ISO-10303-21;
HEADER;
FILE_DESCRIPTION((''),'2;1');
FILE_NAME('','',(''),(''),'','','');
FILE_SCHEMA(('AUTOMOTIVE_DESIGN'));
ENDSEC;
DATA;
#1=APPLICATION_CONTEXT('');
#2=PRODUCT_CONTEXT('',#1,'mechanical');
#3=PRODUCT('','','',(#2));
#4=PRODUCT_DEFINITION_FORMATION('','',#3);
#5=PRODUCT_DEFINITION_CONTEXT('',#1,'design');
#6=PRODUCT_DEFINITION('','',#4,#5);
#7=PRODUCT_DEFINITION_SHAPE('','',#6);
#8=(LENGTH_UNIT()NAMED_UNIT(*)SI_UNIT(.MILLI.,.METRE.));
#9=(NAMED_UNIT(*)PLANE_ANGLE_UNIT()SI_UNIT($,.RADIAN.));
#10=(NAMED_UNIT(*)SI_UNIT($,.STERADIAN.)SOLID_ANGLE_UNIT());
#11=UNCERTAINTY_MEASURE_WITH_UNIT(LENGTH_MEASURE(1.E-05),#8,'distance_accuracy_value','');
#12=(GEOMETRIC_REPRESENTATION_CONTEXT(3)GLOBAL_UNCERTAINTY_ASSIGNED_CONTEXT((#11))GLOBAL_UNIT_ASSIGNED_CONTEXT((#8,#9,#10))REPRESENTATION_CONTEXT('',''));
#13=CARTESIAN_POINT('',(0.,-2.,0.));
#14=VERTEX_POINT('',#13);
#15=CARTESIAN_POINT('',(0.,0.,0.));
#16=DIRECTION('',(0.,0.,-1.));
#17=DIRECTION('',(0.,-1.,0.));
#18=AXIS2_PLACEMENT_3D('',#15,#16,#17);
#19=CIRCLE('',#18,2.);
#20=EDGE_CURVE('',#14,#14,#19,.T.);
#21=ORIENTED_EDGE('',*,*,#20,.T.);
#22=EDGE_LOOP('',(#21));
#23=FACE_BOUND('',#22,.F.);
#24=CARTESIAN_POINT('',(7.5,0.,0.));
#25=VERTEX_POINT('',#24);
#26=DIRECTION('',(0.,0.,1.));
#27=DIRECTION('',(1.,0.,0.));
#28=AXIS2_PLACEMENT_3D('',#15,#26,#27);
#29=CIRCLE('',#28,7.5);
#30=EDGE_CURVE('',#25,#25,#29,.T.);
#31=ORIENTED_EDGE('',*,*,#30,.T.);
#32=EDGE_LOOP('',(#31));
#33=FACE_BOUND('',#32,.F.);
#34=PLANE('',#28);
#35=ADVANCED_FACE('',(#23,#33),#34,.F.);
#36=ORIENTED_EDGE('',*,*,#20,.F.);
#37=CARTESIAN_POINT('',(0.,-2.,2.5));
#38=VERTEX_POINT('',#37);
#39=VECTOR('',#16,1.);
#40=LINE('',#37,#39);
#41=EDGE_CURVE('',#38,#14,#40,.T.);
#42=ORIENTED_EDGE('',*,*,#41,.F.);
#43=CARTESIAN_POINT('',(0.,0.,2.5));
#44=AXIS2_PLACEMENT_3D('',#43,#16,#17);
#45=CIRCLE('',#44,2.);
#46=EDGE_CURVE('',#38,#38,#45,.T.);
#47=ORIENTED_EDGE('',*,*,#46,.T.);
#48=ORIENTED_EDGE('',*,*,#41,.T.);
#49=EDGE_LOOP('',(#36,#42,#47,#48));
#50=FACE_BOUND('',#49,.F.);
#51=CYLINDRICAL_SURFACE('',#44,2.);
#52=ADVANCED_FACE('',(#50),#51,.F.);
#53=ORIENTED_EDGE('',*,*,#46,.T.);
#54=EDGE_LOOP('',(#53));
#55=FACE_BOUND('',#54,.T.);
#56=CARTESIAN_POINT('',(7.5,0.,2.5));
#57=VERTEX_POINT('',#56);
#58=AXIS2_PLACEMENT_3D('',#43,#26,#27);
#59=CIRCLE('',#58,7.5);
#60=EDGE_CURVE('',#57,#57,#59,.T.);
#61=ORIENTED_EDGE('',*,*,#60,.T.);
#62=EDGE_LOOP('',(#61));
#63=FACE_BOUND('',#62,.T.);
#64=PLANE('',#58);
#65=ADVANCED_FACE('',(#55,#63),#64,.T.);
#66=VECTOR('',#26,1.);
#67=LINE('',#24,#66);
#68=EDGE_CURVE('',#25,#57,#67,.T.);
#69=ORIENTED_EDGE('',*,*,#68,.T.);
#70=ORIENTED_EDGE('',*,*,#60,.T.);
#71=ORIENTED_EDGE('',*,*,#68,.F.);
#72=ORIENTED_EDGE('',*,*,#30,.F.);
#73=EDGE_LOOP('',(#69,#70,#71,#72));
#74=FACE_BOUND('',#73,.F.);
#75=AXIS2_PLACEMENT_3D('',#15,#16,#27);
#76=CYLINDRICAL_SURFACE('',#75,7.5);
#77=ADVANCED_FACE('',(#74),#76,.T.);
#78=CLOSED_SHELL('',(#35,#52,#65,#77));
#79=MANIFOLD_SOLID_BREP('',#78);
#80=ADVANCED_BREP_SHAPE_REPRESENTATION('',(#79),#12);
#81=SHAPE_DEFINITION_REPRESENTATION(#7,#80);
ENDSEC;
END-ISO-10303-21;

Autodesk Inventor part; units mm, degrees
ref_plane "YZ Plane" through (0, 0, 0) normal (1, 0, 0) x (0, 1, 0)
ref_plane "XZ Plane" through (0, 0, 0) normal (0, 1, 0) x (-1, 0, 0)
ref_plane "XY Plane" through (0, 0, 0) normal (0, 0, 1) x (1, 0, 0)
sketch "Sketch1" plane through (0, 0, 0) normal (0, 0, 1) x (1, 0, 0)
  circle A0 centre (0, 0) radius 7.5
  dimension "d0" = 15
extrude "Extrusion1" add sketch "Sketch1" along normal blind 2.5
sketch "Sketch2" plane through (0, 0, 2.5) normal (0, 0, 1) x (1, 0, 0)
  point P0 (0, 0)
  point P1 (0, 0)
hole "Hole1" at (0, 0, 2.5) direction (0, 0, -1) diameter 4 end through all
properties part number "end_stop"
